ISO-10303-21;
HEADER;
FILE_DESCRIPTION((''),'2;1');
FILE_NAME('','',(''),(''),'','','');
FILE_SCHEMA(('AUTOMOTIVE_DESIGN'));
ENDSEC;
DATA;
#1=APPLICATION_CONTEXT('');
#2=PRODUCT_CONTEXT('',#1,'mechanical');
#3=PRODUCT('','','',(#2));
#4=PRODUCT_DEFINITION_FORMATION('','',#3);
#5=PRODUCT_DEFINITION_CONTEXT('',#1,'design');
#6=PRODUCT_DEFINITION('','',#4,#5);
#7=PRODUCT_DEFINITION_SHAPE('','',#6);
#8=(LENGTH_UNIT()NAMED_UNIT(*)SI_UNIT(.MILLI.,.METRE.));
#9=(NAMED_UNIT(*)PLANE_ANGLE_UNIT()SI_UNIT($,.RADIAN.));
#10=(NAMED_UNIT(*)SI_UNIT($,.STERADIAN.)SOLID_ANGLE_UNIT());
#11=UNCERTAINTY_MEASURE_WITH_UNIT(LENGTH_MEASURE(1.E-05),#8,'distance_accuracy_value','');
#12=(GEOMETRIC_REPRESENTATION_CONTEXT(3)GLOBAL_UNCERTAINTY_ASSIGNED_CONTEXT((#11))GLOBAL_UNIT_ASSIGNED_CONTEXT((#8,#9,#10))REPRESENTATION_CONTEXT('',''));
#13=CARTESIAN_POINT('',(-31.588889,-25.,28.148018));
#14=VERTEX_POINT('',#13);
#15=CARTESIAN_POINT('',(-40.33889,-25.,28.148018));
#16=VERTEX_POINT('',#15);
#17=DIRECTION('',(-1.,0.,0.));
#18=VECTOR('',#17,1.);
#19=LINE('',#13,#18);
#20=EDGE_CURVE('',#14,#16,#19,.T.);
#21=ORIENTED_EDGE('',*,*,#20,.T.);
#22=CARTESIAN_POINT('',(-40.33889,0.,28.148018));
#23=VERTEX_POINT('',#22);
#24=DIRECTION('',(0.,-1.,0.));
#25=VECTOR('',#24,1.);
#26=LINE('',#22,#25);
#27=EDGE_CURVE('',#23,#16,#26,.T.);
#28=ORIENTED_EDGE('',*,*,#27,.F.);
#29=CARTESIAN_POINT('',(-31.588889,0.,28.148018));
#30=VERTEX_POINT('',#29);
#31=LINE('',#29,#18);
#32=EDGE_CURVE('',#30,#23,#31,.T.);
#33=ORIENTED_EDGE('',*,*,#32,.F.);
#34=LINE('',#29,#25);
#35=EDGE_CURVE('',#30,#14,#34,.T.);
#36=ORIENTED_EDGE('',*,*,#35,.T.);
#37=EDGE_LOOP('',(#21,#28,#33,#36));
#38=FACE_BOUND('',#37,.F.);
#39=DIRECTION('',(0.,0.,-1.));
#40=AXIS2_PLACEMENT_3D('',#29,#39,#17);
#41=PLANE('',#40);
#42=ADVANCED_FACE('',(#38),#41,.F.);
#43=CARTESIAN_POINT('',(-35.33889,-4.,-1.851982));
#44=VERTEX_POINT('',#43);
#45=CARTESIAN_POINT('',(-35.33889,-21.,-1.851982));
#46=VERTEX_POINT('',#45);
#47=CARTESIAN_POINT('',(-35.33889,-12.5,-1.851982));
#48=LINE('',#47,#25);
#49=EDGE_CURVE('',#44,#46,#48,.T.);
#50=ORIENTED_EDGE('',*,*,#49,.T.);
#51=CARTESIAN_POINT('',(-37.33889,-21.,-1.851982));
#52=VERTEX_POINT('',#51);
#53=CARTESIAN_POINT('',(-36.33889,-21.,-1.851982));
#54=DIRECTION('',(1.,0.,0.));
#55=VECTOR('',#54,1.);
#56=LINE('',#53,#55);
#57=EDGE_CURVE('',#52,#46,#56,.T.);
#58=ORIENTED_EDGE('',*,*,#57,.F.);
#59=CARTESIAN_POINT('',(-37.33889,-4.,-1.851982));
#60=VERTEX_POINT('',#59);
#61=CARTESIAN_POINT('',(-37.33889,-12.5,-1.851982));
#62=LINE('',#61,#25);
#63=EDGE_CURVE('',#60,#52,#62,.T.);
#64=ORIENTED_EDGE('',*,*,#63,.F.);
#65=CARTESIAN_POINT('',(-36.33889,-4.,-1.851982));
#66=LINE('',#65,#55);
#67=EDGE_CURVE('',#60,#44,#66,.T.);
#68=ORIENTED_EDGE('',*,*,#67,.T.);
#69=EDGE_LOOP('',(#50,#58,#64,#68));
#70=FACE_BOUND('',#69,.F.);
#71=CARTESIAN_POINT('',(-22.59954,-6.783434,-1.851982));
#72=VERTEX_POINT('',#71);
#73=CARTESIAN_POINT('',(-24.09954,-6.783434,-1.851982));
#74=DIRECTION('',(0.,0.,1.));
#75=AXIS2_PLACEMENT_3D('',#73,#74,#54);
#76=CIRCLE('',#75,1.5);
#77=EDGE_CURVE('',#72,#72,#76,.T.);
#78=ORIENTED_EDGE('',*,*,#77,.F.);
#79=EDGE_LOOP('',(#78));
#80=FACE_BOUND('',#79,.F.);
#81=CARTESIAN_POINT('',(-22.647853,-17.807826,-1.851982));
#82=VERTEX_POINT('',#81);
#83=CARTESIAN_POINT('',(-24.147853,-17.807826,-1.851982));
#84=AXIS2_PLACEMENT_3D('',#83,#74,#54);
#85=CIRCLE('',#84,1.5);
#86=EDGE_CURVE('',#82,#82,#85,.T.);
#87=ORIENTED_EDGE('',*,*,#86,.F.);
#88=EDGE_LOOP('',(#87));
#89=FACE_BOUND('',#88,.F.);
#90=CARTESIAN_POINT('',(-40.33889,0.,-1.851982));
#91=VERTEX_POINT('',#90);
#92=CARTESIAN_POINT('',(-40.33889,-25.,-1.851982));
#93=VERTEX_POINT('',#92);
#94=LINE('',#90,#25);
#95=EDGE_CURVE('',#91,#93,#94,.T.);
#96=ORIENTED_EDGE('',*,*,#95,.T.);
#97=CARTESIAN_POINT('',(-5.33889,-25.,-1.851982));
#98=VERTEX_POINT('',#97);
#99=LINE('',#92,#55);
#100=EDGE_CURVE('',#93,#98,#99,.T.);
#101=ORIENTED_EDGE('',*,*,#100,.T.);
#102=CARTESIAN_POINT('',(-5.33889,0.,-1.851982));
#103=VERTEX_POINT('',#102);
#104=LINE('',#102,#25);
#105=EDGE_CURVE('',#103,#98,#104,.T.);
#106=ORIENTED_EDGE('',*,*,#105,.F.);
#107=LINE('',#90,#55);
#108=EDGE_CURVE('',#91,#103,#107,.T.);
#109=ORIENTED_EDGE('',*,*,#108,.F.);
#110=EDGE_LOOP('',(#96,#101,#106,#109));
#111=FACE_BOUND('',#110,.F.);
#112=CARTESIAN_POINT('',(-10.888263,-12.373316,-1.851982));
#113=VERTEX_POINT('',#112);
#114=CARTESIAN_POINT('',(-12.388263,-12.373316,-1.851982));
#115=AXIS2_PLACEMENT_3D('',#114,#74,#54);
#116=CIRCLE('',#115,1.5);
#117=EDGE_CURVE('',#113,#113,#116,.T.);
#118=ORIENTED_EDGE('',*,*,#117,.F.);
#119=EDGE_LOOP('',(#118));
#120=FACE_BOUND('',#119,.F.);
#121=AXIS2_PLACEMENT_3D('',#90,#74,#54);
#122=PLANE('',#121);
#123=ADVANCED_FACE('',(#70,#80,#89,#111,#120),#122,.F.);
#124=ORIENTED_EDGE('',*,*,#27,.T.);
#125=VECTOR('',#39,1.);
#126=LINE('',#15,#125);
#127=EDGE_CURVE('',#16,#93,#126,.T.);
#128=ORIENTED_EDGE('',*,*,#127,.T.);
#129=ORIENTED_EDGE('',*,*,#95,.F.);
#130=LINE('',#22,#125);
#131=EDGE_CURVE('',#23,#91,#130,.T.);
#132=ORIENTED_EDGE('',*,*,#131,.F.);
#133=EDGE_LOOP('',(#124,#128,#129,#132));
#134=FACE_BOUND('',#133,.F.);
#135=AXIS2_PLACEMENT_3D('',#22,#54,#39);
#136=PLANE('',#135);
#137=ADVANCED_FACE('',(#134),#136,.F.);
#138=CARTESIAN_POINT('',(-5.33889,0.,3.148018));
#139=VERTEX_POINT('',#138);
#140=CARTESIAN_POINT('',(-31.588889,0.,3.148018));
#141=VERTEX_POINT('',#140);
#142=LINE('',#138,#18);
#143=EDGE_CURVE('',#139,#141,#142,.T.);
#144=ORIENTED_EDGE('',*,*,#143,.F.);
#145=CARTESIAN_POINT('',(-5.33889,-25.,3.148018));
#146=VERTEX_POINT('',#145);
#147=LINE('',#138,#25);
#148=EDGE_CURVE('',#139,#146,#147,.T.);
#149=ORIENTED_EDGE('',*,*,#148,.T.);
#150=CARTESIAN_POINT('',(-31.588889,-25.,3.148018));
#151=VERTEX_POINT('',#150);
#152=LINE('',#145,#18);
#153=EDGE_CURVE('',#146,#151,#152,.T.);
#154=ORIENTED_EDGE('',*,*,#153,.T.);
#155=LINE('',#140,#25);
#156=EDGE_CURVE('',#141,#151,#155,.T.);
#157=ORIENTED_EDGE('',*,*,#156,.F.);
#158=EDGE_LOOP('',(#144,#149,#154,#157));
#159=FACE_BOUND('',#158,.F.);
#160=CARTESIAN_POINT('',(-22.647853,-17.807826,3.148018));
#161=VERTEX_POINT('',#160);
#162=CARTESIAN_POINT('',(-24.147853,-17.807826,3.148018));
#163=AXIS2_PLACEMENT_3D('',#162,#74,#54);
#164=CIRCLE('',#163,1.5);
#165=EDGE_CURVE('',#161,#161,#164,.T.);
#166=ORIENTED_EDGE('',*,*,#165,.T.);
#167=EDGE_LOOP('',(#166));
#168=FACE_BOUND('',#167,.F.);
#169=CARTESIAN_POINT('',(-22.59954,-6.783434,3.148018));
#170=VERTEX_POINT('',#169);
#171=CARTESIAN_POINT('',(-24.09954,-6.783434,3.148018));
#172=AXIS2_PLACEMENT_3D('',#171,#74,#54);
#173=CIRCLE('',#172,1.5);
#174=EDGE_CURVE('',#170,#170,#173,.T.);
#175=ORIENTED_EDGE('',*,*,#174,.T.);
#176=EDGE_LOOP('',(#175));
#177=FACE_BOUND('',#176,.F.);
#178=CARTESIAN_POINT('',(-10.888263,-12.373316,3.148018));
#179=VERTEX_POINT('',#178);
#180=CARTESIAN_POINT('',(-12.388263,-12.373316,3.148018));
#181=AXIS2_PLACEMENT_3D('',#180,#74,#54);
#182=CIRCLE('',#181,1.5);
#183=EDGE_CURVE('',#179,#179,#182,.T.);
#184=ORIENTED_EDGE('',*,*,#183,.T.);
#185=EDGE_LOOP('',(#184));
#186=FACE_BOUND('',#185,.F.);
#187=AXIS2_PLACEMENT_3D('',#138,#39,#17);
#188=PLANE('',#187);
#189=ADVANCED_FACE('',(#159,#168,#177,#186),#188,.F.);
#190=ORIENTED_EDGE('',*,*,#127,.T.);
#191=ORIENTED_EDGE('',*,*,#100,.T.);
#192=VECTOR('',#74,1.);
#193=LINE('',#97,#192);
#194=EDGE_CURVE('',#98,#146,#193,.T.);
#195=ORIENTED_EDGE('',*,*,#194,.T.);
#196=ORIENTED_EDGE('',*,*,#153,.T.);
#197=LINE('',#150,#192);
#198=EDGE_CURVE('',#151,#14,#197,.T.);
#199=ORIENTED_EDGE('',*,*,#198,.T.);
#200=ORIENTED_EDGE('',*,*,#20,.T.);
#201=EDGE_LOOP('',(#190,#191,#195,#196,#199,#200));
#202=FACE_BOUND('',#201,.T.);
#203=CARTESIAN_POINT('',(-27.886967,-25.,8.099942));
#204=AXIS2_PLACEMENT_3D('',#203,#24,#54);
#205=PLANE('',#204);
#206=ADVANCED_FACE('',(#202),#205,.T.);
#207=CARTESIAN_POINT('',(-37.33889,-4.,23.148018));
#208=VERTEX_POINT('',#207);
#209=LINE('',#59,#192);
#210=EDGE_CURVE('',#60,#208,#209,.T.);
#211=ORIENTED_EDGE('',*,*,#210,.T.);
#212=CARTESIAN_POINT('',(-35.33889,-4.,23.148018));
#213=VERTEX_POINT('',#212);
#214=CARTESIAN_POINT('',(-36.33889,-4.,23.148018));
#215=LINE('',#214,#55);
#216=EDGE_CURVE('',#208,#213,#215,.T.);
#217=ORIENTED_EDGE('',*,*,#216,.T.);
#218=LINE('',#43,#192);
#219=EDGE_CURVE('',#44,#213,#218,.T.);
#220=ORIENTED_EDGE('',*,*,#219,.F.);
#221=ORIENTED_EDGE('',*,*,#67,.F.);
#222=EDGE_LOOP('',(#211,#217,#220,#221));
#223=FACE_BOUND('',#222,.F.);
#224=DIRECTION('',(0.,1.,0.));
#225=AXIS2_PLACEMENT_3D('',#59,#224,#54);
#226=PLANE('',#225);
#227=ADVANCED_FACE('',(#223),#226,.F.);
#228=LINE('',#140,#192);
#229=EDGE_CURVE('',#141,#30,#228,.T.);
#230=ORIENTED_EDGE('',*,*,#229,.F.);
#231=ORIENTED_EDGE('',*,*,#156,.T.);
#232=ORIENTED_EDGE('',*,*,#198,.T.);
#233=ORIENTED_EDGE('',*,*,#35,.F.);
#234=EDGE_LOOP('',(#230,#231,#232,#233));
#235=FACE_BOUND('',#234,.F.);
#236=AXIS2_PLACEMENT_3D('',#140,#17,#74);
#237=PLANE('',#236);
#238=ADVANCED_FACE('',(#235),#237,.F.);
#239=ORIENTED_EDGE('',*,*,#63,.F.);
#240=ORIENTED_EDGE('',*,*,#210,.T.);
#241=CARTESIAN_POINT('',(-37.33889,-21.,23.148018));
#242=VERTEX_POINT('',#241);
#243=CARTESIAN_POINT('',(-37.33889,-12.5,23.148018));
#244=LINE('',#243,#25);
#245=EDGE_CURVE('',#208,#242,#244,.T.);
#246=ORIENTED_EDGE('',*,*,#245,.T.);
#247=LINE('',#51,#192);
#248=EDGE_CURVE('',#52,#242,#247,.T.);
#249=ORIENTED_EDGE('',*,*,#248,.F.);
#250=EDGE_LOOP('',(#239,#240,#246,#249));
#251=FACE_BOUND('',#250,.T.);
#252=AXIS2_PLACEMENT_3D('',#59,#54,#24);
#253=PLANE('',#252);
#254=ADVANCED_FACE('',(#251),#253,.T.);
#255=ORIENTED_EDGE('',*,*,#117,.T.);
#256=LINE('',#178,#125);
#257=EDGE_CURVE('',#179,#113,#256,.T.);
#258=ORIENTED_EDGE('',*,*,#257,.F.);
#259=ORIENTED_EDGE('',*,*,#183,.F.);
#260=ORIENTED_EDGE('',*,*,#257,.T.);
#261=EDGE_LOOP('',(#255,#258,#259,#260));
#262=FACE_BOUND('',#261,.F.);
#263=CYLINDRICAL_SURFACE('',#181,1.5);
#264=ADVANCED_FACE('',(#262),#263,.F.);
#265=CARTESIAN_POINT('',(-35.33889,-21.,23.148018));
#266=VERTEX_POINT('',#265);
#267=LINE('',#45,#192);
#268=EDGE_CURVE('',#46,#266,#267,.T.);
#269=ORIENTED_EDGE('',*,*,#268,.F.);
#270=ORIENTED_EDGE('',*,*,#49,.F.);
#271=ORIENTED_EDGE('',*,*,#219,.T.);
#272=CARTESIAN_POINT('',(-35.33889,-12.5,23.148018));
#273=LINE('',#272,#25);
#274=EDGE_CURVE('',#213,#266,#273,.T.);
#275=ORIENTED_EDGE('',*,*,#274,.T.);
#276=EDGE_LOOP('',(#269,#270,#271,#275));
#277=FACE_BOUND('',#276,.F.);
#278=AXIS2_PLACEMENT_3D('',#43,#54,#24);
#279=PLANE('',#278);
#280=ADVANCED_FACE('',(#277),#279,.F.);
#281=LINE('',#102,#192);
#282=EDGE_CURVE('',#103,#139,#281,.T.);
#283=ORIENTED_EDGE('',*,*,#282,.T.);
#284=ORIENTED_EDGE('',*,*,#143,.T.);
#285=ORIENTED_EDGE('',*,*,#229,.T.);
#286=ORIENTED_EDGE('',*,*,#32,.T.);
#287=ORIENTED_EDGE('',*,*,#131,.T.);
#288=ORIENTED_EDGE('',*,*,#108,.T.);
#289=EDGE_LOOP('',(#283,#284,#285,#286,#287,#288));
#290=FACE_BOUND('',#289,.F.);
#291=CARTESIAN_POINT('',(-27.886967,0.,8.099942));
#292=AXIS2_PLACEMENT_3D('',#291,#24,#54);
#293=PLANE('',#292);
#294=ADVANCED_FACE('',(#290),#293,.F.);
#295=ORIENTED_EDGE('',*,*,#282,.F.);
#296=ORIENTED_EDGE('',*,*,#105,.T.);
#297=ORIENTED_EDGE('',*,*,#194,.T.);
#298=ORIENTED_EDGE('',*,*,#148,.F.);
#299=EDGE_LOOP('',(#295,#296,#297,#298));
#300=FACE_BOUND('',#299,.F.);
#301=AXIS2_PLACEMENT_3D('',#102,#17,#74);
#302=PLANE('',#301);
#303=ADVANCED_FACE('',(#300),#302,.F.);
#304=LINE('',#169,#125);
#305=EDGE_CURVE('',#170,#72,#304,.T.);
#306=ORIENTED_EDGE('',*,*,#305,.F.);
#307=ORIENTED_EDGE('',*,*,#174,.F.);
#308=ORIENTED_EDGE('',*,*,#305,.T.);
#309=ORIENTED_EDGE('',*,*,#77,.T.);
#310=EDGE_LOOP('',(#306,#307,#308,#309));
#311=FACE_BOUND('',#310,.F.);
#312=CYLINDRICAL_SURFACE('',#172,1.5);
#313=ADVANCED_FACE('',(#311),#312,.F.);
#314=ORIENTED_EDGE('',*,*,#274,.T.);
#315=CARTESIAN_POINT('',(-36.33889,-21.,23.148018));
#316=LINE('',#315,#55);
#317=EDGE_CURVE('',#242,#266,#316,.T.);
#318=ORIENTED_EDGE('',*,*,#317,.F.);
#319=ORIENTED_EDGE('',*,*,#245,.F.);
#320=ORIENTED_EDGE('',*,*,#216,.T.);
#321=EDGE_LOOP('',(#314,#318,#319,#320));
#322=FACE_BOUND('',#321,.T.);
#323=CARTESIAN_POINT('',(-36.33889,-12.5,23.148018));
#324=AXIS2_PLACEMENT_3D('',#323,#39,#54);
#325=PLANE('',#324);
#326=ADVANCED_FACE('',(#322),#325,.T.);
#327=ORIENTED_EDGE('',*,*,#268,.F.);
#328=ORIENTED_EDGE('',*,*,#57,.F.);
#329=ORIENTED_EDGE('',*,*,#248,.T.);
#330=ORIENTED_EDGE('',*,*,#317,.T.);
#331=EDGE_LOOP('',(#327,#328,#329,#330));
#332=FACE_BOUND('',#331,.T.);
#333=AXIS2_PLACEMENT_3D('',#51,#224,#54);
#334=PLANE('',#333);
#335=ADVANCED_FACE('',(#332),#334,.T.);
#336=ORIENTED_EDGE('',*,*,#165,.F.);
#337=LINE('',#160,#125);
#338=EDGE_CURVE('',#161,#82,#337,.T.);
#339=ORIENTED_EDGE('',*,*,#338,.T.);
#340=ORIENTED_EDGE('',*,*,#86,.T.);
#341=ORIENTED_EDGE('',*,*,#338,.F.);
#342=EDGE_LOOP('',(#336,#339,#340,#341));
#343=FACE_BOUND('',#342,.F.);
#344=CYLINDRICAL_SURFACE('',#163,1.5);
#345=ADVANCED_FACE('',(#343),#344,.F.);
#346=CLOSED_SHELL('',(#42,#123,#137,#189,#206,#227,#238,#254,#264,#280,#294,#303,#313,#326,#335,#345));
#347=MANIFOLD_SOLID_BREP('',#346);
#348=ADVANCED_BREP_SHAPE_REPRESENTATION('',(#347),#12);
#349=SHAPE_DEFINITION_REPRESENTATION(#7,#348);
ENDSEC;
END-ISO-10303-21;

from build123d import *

# Parameters (mm, degrees)
F1_DEPTH   = 25
F2_W       = 2
F2_H       = 17
F1_FACE1_W = 8.7500010695
F1_FACE1_H = 25
F3_DEPTH   = 25
F4_R       = 1.5
F5_DEPTH   = 25


with BuildPart() as f1:
    # F0 (on Front) → F1 (new body)
    with BuildSketch(Plane.XZ):
        Polygon((-40.3388904698, 28.1480183138), (-40.3388904698, -1.8519816862), (-5.3388904698, -1.8519816862), (-5.3388904698, 3.1480183138), (-31.5888894002, 3.1480183138), (-31.5888894002, 28.1480183138), align=None)
    extrude(amount=F1_DEPTH)

    # F2 (on face) + F1_face1 (on face) → F3 (cut)
    with BuildSketch(Plane(origin=(0, 0, -1.8519816862), x_dir=(1, 0, 0), z_dir=(0, 0, -1))):
        with Locations((-36.3388904698, 12.5)):
            Rectangle(F2_W, F2_H)
    with BuildSketch(Plane(origin=(-35.963889935, -12.5, 28.1480183138), x_dir=(1, 0, 0), z_dir=(0, 0, 1))):
        Rectangle(F1_FACE1_W, F1_FACE1_H)
    extrude(amount=-F3_DEPTH, dir=(0, 0, -1), mode=Mode.SUBTRACT)

    # F4 (on face) → F5 (cut)
    with BuildSketch(Plane.XY.offset(3.1480183138)):
        with Locations((-12.3882628977, -12.3733161017)):
            Circle(F4_R)
        with Locations((-24.1478532553, -17.8078263998)):
            Circle(F4_R)
        with Locations((-24.0995399654, -6.7834341899)):
            Circle(F4_R)
    extrude(amount=-F5_DEPTH, mode=Mode.SUBTRACT)


solid = f1.part
